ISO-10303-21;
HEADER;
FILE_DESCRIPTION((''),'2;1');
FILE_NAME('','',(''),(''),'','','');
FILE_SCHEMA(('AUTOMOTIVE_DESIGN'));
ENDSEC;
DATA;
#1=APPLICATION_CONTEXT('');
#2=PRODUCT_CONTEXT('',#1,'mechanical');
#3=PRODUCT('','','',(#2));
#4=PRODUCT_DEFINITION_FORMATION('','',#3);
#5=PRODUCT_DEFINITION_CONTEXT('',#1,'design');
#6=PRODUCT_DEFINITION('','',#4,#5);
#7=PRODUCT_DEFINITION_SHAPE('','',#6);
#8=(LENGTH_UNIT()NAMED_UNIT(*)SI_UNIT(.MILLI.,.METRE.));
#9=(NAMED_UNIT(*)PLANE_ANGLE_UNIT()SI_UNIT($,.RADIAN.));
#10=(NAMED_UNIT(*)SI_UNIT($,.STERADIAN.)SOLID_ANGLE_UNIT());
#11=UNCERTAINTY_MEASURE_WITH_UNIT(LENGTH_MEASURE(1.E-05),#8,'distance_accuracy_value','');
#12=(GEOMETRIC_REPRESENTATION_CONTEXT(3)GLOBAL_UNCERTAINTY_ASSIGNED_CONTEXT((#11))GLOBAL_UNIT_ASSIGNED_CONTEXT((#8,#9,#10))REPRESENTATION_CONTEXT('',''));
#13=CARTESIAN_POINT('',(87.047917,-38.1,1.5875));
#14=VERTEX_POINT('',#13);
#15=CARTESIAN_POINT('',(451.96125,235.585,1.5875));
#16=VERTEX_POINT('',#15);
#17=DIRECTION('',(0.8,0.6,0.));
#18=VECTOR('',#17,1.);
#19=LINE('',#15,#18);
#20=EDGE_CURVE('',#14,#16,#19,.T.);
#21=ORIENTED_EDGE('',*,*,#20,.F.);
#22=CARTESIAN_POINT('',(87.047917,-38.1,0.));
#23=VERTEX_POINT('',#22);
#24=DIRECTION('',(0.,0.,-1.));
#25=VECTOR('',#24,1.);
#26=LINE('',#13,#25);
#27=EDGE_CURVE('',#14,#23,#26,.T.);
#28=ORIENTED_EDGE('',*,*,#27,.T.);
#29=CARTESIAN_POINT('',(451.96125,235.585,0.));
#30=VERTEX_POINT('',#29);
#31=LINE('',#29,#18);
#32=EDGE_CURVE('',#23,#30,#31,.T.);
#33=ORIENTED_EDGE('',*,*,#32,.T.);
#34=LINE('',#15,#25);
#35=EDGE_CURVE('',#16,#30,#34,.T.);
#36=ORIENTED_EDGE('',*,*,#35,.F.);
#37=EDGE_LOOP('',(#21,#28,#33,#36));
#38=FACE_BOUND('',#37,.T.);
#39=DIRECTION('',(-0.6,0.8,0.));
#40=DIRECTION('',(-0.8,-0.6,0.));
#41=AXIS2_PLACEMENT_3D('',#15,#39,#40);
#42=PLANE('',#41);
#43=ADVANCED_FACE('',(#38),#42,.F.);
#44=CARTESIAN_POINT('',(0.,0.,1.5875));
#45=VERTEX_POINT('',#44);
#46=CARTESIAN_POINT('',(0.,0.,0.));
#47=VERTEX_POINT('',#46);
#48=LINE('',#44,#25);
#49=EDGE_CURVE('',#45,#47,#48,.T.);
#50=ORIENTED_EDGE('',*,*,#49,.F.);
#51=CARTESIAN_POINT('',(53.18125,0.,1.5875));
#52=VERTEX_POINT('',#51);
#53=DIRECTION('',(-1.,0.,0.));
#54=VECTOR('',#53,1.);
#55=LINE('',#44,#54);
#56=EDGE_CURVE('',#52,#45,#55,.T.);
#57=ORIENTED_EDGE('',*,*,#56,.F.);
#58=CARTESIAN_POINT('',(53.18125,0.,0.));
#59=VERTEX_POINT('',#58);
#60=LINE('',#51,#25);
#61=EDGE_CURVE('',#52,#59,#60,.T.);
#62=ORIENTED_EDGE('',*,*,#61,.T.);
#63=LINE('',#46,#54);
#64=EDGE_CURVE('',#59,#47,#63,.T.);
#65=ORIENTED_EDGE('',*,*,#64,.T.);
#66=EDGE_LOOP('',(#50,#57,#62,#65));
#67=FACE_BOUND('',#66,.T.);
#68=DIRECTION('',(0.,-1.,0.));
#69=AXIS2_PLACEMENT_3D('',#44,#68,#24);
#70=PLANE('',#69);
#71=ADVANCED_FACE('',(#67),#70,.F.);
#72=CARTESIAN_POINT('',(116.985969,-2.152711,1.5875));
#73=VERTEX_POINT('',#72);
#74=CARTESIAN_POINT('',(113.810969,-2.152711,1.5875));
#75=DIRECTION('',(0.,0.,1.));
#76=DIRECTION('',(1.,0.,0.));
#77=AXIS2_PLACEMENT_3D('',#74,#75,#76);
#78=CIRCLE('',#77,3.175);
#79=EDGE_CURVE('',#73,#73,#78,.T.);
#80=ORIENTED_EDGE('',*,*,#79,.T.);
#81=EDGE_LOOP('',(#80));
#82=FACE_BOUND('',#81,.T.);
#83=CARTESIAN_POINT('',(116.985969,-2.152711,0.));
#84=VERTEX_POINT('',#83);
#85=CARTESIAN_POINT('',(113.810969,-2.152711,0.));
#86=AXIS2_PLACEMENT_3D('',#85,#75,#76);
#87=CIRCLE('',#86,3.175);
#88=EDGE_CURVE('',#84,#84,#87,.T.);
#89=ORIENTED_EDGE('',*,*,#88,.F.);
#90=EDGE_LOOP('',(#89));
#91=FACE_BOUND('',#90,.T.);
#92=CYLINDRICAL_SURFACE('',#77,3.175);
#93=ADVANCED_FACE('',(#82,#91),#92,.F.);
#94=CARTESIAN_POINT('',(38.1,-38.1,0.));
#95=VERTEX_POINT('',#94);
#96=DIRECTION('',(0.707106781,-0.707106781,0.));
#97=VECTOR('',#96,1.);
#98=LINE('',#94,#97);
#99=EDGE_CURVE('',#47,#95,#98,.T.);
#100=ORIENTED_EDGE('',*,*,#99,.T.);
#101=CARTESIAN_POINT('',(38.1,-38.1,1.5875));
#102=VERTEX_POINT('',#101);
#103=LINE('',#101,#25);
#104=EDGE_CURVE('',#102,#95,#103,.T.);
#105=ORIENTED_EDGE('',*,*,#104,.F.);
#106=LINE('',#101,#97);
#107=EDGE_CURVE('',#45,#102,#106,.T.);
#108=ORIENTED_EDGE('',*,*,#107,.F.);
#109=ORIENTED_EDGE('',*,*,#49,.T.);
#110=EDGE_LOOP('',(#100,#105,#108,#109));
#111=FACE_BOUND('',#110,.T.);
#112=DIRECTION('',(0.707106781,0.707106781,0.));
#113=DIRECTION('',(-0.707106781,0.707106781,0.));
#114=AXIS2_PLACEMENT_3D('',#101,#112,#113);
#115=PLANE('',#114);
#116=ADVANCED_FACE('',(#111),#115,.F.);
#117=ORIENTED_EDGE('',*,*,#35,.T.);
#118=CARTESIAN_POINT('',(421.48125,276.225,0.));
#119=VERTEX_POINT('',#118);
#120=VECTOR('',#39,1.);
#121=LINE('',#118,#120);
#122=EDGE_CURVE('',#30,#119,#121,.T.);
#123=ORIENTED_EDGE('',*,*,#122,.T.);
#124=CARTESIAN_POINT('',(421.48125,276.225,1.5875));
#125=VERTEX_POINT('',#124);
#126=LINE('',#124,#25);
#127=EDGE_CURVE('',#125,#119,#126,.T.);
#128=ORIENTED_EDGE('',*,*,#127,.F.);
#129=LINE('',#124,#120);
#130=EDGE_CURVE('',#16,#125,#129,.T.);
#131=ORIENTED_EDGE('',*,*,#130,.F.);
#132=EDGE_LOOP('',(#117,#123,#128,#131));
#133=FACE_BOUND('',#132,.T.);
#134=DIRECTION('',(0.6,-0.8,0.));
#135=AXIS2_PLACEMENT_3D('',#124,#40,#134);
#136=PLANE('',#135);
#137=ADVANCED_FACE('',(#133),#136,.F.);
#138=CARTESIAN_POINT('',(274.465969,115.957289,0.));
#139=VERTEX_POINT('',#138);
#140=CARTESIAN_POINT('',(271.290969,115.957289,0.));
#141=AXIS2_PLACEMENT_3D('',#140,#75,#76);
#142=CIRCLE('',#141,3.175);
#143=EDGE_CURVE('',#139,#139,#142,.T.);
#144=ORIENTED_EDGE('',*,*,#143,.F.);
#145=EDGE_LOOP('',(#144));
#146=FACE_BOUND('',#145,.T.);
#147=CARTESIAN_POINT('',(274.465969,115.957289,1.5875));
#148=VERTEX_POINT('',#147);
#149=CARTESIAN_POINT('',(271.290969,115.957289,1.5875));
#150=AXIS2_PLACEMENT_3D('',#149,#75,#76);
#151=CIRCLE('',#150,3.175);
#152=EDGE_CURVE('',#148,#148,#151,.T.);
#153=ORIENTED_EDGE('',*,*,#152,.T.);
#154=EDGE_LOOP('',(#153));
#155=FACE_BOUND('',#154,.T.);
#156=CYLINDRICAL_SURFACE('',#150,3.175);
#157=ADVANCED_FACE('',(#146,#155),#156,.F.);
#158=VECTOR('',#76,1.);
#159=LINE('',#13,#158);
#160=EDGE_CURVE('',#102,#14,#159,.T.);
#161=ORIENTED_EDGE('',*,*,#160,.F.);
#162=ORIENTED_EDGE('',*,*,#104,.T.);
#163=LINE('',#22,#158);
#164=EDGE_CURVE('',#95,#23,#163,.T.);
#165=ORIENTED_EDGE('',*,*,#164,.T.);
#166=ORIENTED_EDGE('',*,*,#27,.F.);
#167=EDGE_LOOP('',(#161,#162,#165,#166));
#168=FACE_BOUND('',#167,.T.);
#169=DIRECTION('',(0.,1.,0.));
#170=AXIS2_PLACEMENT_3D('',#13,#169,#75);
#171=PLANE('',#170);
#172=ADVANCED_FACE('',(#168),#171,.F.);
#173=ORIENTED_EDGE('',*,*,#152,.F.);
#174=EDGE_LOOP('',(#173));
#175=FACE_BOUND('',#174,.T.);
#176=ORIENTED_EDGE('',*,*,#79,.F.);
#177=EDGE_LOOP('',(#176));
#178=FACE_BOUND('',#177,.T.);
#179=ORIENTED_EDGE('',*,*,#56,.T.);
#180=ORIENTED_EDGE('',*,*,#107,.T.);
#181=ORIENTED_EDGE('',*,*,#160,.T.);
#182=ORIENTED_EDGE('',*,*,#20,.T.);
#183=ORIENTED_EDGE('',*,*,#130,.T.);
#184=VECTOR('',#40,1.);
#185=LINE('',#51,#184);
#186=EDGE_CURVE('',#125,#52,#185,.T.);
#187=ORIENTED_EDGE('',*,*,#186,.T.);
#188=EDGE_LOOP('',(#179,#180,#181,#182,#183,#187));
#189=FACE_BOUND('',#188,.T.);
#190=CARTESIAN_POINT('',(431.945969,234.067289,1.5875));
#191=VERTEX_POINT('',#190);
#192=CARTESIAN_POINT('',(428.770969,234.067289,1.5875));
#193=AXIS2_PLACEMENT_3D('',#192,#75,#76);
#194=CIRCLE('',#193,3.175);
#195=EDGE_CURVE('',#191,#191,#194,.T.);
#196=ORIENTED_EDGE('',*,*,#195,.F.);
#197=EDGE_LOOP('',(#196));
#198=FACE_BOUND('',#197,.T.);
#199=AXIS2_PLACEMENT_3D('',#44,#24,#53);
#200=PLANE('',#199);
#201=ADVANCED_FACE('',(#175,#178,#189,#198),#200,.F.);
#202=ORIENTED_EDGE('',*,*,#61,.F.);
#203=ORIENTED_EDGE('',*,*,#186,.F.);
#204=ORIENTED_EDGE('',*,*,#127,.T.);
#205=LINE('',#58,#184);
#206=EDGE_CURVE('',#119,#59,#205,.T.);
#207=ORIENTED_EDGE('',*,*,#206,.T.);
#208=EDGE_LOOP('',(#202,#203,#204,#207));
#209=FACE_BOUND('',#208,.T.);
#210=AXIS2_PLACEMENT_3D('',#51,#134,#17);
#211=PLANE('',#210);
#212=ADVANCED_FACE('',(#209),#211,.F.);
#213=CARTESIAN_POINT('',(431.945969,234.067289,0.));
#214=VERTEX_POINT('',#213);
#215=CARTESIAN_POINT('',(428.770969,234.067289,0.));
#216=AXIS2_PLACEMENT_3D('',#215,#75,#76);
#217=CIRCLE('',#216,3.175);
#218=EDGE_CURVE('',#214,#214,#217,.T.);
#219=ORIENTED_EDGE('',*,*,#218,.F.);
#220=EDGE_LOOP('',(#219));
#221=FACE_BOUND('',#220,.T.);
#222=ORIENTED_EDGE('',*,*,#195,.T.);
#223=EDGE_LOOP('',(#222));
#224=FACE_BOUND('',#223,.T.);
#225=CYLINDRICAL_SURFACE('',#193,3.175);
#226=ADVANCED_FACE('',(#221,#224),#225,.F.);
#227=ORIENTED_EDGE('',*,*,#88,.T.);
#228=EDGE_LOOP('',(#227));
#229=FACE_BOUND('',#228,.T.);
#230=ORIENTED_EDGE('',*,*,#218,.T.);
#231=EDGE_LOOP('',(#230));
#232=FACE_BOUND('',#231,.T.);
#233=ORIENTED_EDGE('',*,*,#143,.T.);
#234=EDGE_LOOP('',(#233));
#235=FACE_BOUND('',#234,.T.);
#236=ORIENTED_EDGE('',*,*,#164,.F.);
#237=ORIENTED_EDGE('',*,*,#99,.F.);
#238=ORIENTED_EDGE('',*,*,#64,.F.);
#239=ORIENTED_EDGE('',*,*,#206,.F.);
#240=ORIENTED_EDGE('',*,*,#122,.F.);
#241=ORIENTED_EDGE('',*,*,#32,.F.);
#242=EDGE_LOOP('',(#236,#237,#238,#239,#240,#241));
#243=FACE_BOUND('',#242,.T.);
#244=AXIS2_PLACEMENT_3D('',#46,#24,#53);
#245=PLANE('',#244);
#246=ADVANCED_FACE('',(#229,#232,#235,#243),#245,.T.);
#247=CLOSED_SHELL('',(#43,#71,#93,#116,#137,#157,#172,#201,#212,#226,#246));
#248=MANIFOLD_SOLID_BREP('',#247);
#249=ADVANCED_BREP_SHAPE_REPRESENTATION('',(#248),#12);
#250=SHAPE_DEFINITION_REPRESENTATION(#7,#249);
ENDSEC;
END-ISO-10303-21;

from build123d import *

# Parameters (mm, degrees)
BOSS_EXTRUDE1_DEPTH         = 1.5875
F_1_4_0_25_DIAMETER_HOLE1_D = 6.35


with BuildPart() as part:
    # Sketch1 → Boss-Extrude1 (new body)
    with BuildSketch(Plane.XY):
        Polygon((0, 0), (53.18125, 0), (421.48125, 276.225), (451.96125, 235.585), (87.047916667, -38.1), (38.1, -38.1), align=None)
    extrude(amount=BOSS_EXTRUDE1_DEPTH)

    # 1/4 (0.25) Diameter Hole1 (through all)
    with Locations(Plane.XY.offset(1.5875)):
        with Locations((428.77096872, 234.06728904), (271.29096872, 115.95728904), (113.81096872, -2.15271096)):
            Hole(F_1_4_0_25_DIAMETER_HOLE1_D / 2)


solid = part.part
